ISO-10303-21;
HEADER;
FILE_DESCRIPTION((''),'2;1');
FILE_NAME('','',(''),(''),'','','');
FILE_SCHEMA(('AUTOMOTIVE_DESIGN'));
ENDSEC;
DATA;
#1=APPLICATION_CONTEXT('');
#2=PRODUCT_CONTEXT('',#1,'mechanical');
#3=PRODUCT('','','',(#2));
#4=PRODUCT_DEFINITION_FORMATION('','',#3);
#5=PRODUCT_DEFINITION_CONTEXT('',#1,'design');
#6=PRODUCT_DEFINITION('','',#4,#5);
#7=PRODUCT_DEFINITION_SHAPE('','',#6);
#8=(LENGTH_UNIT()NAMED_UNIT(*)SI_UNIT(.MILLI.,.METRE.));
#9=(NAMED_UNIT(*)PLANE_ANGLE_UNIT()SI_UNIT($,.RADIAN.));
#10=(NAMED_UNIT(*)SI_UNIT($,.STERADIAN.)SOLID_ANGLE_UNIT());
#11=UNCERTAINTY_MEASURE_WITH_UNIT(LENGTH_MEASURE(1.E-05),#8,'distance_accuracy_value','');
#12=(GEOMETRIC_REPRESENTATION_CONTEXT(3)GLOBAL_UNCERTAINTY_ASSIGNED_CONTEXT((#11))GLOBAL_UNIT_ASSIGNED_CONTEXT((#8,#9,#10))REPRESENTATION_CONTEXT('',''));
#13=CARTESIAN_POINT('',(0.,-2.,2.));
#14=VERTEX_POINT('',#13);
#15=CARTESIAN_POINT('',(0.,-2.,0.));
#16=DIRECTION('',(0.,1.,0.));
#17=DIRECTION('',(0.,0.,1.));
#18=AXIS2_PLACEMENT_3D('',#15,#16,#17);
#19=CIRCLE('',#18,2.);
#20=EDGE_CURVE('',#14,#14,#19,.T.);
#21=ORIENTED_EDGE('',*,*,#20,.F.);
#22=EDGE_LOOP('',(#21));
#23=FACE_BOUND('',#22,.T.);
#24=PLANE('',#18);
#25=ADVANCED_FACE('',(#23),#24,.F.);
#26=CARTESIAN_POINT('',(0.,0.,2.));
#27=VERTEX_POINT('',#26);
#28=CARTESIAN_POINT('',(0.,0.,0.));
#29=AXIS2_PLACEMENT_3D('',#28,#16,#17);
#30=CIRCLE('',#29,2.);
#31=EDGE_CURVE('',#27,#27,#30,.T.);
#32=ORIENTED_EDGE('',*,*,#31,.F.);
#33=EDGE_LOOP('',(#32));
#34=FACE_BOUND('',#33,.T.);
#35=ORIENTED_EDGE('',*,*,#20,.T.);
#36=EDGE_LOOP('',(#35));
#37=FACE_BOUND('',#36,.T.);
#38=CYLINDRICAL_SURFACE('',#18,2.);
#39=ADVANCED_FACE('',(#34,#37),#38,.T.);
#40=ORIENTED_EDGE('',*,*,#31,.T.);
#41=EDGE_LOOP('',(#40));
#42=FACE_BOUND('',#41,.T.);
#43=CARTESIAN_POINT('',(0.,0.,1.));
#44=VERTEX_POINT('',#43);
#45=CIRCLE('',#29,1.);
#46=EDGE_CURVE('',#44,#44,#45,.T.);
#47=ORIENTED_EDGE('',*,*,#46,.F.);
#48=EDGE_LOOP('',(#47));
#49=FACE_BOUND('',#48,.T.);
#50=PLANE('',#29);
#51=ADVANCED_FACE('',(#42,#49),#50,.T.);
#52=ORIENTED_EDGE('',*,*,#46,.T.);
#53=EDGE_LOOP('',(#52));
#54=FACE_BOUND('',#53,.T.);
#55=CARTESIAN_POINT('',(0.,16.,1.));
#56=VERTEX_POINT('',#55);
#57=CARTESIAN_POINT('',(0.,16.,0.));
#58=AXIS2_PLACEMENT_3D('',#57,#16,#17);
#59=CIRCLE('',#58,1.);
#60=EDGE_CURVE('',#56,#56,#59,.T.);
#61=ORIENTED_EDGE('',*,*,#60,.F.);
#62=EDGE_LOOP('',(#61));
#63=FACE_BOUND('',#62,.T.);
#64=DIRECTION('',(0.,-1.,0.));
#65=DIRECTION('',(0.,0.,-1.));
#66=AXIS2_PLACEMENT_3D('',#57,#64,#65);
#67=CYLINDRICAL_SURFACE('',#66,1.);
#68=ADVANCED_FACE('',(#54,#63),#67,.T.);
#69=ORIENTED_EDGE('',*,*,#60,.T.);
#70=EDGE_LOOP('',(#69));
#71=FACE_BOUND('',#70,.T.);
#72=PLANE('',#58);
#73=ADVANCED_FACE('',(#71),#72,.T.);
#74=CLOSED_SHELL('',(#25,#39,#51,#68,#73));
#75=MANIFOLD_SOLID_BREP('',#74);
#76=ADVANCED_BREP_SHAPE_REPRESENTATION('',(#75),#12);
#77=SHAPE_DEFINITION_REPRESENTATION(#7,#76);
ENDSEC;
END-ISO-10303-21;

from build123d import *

# Parameters (mm, degrees)
SKETCH_1_R      = 2
EXTRUDE_1_DEPTH = 2
SKETCH_1_3_R    = 1
EXTRUDE_2_DEPTH = 16


with BuildPart() as part:
    # 草图1 → 凸台-拉伸1 (new body)
    with BuildSketch(Plane(origin=(0, 0, 0), x_dir=(1, 0, 0), z_dir=(0, 1, 0))):
        Circle(SKETCH_1_R)
    extrude(amount=-EXTRUDE_1_DEPTH)

    # 草图1<3> → 凸台-拉伸2 (add)
    with BuildSketch(Plane(origin=(0, 0, 0), x_dir=(1, 0, 0), z_dir=(0, 1, 0))):
        Circle(SKETCH_1_3_R)
    extrude(amount=EXTRUDE_2_DEPTH)


solid = part.part
